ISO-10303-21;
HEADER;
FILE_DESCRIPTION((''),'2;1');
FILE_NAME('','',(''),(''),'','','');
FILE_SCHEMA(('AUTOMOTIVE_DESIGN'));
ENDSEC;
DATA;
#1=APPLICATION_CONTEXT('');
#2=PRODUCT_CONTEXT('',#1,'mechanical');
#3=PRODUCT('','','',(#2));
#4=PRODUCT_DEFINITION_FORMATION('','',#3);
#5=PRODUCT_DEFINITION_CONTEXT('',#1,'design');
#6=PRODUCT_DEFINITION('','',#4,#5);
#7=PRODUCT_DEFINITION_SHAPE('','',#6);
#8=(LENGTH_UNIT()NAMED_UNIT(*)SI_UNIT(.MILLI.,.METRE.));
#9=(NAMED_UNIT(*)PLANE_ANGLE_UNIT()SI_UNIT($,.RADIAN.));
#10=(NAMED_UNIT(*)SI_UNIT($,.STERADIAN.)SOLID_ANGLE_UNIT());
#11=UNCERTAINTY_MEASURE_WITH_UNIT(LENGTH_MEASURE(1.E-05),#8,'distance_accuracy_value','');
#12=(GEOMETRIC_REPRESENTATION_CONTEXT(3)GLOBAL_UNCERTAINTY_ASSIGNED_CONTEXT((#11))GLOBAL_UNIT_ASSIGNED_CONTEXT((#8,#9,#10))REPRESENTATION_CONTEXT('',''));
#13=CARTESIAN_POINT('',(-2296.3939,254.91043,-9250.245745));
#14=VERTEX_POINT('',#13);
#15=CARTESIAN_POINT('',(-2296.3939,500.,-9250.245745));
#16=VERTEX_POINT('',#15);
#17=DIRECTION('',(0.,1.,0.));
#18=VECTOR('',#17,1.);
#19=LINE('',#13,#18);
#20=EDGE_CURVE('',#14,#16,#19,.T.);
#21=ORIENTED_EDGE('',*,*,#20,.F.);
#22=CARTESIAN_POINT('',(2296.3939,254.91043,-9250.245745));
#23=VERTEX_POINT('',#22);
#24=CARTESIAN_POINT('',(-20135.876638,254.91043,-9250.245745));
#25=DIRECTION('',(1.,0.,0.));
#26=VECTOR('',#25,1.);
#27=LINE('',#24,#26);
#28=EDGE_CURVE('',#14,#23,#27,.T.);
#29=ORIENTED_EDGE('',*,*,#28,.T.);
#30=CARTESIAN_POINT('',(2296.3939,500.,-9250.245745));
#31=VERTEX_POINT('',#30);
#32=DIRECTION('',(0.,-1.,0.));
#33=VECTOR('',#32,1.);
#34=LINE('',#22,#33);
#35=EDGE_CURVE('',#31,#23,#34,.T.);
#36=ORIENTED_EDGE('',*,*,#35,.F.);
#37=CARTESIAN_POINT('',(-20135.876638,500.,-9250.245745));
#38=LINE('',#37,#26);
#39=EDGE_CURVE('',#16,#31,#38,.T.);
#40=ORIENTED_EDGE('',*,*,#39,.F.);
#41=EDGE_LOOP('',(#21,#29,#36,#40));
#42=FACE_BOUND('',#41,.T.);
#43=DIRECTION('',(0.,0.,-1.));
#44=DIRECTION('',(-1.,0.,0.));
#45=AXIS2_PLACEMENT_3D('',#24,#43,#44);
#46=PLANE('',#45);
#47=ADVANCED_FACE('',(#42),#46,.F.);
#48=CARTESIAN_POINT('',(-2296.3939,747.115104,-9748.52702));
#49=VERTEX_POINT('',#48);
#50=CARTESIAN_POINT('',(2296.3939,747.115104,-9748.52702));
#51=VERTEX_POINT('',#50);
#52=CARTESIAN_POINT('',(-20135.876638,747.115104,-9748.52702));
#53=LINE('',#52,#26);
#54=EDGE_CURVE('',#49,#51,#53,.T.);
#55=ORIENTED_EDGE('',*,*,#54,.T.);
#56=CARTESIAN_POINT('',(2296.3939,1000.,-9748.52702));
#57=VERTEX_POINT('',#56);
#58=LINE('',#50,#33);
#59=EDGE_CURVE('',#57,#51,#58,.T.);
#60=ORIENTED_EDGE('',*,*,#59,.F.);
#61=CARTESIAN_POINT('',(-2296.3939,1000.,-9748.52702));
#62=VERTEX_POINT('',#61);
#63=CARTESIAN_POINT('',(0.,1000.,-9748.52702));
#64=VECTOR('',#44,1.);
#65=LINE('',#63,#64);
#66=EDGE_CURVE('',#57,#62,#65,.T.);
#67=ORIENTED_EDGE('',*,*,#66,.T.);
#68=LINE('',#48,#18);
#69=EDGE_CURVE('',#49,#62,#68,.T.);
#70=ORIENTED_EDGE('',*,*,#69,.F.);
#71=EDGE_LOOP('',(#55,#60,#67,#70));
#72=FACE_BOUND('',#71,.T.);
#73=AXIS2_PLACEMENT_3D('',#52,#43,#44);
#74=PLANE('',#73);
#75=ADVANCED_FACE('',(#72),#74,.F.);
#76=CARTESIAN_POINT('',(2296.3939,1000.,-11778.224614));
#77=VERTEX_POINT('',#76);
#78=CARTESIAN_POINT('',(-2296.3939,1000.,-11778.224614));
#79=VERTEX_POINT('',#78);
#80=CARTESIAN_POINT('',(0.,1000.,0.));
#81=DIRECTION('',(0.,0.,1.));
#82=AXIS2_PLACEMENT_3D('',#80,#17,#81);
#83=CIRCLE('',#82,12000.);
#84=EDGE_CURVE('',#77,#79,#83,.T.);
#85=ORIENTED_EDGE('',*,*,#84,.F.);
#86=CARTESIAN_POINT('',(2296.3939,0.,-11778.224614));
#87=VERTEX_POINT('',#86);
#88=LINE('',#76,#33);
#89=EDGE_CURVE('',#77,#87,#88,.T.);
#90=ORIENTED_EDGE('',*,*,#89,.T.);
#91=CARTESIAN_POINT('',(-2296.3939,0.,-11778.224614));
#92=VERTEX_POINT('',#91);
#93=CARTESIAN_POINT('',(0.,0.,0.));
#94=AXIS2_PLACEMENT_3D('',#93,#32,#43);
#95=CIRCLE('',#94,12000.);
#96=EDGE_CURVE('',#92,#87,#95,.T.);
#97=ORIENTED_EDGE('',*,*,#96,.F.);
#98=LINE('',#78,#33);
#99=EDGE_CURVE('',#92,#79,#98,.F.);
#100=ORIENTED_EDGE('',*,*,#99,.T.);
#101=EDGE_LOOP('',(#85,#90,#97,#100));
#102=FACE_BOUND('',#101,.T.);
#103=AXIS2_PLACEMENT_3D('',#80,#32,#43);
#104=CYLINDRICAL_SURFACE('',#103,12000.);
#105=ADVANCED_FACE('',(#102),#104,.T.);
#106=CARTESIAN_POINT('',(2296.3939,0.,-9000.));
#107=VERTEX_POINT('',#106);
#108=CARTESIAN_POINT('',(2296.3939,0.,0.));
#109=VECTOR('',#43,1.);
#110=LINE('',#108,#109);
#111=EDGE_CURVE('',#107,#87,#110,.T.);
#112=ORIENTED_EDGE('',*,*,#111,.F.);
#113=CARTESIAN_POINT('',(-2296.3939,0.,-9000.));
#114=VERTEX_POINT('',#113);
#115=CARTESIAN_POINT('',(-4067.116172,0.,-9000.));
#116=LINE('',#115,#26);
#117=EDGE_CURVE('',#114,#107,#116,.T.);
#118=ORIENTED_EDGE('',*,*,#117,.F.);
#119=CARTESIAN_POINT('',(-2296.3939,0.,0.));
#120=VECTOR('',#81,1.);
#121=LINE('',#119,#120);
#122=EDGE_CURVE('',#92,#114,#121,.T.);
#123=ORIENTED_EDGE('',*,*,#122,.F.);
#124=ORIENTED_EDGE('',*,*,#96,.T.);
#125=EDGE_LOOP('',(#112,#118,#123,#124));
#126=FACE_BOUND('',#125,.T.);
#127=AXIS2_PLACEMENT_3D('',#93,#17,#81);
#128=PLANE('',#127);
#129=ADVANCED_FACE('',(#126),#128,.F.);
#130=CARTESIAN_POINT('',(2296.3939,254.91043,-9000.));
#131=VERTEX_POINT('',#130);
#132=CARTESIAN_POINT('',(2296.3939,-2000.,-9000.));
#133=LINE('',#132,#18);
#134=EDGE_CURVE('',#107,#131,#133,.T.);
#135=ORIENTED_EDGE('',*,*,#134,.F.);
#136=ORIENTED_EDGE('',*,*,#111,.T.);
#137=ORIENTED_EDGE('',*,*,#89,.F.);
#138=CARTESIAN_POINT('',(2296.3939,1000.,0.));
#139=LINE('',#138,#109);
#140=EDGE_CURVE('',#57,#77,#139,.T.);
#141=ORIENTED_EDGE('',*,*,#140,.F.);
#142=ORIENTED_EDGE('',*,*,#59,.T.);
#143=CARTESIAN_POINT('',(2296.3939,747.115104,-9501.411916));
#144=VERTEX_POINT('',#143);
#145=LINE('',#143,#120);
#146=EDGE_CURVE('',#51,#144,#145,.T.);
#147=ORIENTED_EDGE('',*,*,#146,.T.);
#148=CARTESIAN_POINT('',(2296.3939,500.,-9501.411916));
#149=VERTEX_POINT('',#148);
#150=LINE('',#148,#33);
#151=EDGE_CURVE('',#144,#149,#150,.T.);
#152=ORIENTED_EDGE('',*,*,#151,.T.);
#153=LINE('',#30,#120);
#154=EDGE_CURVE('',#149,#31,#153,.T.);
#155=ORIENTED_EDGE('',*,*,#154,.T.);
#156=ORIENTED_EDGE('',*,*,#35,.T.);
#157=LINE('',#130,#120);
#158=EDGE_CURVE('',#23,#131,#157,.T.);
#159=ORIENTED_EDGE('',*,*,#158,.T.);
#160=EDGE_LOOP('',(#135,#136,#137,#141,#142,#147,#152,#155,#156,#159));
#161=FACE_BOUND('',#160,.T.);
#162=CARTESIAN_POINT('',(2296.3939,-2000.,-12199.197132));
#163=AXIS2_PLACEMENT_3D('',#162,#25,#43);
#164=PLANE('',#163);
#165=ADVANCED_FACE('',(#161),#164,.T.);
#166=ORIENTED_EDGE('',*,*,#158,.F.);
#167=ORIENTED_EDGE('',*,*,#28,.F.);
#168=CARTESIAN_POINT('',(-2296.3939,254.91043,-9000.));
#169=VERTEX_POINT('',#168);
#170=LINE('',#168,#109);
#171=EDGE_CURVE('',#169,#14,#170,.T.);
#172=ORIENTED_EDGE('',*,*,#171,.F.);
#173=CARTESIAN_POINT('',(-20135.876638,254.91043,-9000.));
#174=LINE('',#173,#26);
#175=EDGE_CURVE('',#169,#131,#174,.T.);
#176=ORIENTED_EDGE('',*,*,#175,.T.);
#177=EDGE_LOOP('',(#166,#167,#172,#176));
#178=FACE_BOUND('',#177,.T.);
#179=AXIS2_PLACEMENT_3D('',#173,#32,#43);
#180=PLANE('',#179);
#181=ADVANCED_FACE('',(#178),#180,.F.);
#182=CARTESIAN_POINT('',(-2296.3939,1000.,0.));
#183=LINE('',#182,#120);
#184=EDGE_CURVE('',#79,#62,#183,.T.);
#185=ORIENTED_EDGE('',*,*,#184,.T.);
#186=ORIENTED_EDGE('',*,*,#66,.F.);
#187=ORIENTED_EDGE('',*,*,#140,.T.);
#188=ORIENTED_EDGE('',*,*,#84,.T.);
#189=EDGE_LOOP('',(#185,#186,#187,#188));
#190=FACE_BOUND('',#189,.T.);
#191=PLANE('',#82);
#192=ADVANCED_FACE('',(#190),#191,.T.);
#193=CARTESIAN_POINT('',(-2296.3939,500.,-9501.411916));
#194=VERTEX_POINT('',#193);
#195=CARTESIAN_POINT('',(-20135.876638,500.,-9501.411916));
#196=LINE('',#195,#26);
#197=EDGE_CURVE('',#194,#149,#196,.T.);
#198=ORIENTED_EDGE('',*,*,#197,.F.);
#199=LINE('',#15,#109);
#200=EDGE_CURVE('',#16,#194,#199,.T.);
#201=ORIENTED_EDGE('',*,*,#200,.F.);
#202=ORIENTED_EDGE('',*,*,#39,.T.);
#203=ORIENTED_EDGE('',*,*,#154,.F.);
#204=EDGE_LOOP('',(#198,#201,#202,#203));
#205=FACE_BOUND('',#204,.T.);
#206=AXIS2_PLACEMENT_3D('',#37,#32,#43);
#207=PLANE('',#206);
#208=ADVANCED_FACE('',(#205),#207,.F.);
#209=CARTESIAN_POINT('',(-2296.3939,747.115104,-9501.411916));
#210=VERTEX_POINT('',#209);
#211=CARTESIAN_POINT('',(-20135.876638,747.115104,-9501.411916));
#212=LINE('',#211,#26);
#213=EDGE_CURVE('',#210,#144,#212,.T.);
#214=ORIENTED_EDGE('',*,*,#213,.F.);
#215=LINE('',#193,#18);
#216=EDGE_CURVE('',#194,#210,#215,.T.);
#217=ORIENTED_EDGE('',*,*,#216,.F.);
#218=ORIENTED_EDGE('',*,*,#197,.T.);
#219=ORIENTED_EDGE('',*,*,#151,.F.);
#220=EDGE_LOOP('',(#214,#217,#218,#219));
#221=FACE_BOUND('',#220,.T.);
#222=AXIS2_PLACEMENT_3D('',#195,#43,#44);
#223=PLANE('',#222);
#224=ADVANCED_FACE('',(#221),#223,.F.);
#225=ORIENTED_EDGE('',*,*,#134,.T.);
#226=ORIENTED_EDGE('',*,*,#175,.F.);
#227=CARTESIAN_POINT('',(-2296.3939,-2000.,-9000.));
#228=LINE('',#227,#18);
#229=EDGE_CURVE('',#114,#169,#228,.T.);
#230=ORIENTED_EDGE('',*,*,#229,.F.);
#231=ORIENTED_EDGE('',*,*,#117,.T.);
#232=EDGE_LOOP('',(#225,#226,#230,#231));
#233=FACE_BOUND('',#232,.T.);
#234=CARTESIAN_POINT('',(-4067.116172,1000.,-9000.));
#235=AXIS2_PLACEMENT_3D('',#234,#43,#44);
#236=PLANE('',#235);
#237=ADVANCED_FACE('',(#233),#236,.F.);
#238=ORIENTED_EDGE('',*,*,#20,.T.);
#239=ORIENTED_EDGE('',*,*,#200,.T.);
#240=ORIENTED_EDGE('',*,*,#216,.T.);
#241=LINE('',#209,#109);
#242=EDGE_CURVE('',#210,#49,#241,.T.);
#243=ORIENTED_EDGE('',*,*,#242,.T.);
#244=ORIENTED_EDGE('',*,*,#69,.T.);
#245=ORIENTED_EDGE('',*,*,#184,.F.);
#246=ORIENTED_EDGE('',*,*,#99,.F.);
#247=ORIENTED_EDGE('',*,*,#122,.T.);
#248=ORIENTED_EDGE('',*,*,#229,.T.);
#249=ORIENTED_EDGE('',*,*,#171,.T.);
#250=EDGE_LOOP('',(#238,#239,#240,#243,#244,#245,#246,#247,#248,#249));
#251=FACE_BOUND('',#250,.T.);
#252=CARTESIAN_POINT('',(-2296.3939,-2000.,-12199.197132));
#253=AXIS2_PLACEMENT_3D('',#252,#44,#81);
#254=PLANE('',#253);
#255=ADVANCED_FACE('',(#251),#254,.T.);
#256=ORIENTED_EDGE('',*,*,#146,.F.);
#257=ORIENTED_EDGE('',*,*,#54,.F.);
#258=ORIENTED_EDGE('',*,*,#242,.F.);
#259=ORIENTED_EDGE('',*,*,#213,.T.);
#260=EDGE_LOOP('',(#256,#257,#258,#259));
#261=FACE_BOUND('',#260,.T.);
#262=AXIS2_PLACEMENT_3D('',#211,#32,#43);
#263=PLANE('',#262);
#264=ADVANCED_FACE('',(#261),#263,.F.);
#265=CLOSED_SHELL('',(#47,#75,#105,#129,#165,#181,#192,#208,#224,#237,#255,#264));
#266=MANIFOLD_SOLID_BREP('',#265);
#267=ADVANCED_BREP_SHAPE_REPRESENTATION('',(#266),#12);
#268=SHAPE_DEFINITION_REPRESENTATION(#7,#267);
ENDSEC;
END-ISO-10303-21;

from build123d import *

# Parameters (mm, degrees)
BOSS_EXTRUDE1_DEPTH     = 1000
CUT_EXTRUDE1_DEPTH      = 24000
BOSS_EXTRUDE2_DEPTH     = 202.99281
CUT_EXTRUDE5_START      = -4000
CUT_EXTRUDE5_DEPTH      = 4000
CUT_EXTRUDE6_DEPTH      = 2000
CUT_EXTRUDE6_DEPTH_BACK = 2000
SKETCH9_W               = 1770.722272071
SKETCH9_H               = 3199.197131872


with BuildPart() as part:
    # Sketch1 → Boss-Extrude1 (new body)
    with BuildSketch(Plane(origin=(0, 0, 0), x_dir=(1, 0, 0), z_dir=(0, 1, 0))):
        with BuildLine():
            Line((-4067.116172071, 9000), (3864.123361974, 9000))
            Line((3864.123361974, 9000), (3864.123361974, 11360.834064603))
            ThreePointArc((3864.123361974, 11360.834064603), (1958.314482503, 11839.130220908), (0, 12000))
            ThreePointArc((0, 12000), (-2064.332945394, 11821.105256725), (-4067.116172071, 11289.754915094))
            Line((-4067.116172071, 11289.754915094), (-4067.116172071, 9000))
        make_face()
    extrude(amount=BOSS_EXTRUDE1_DEPTH)

    # Sketch2 → Cut-Extrude1 (cut)
    with BuildSketch(Plane(origin=(3864.123361974, 0, 0), x_dir=(0, 0, -1), z_dir=(1, 0, 0))):
        Polygon((9000, 254.910429711), (9250.24574489, 254.910429711), (9250.24574489, 500), (9501.411916095, 500), (9501.411916095, 747.115103928), (9748.527020023, 747.115103928), (9748.527020023, 1000), (9000, 1000), align=None)
    extrude(amount=-CUT_EXTRUDE1_DEPTH, mode=Mode.SUBTRACT)

    # Sketch4 → Boss-Extrude2 (add)
    with BuildSketch(Plane(origin=(3864.123361974, 0, 0), x_dir=(0, 0, -1), z_dir=(1, 0, 0))):
        Polygon((9000, 254.910429711), (9000, 0), (11360.834064603, 0), (11360.834064603, 1000), (9748.527020023, 1000), (9748.527020023, 747.115103928), (9501.411916095, 747.115103928), (9501.411916095, 500), (9250.24574489, 500), (9250.24574489, 254.910429711), align=None)
    extrude(amount=BOSS_EXTRUDE2_DEPTH)

    # Sketch5 → Cut-Extrude5 (cut)
    with BuildSketch(Plane(origin=(0, 1000, 0), x_dir=(1, 0, 0), z_dir=(0, 1, 0)).offset(CUT_EXTRUDE5_START)):
        with BuildLine():
            Line((4067.116172071, 11289.754915094), (4067.116171974, 11360.834064603))
            Line((4067.116171974, 11360.834064603), (3864.123361974, 11360.834064603))
            ThreePointArc((3864.123361974, 11360.834064603), (3965.779015272, 11325.749282146), (4067.116172071, 11289.754915094))
        make_face()
    extrude(amount=CUT_EXTRUDE5_DEPTH, mode=Mode.SUBTRACT)

    # Sketch9 → Cut-Extrude6 (cut, two sides: drawn at the far end of the back side and taken through both)
    with BuildSketch(Plane.XZ.offset(-CUT_EXTRUDE6_DEPTH_BACK)):
        with Locations((3181.755036035, -10599.598565936)):
            Rectangle(SKETCH9_W, SKETCH9_H)
        with Locations((-3181.755036035, -10599.598565936)):
            Rectangle(SKETCH9_W, SKETCH9_H)
    extrude(amount=CUT_EXTRUDE6_DEPTH + CUT_EXTRUDE6_DEPTH_BACK, mode=Mode.SUBTRACT)


solid = part.part
